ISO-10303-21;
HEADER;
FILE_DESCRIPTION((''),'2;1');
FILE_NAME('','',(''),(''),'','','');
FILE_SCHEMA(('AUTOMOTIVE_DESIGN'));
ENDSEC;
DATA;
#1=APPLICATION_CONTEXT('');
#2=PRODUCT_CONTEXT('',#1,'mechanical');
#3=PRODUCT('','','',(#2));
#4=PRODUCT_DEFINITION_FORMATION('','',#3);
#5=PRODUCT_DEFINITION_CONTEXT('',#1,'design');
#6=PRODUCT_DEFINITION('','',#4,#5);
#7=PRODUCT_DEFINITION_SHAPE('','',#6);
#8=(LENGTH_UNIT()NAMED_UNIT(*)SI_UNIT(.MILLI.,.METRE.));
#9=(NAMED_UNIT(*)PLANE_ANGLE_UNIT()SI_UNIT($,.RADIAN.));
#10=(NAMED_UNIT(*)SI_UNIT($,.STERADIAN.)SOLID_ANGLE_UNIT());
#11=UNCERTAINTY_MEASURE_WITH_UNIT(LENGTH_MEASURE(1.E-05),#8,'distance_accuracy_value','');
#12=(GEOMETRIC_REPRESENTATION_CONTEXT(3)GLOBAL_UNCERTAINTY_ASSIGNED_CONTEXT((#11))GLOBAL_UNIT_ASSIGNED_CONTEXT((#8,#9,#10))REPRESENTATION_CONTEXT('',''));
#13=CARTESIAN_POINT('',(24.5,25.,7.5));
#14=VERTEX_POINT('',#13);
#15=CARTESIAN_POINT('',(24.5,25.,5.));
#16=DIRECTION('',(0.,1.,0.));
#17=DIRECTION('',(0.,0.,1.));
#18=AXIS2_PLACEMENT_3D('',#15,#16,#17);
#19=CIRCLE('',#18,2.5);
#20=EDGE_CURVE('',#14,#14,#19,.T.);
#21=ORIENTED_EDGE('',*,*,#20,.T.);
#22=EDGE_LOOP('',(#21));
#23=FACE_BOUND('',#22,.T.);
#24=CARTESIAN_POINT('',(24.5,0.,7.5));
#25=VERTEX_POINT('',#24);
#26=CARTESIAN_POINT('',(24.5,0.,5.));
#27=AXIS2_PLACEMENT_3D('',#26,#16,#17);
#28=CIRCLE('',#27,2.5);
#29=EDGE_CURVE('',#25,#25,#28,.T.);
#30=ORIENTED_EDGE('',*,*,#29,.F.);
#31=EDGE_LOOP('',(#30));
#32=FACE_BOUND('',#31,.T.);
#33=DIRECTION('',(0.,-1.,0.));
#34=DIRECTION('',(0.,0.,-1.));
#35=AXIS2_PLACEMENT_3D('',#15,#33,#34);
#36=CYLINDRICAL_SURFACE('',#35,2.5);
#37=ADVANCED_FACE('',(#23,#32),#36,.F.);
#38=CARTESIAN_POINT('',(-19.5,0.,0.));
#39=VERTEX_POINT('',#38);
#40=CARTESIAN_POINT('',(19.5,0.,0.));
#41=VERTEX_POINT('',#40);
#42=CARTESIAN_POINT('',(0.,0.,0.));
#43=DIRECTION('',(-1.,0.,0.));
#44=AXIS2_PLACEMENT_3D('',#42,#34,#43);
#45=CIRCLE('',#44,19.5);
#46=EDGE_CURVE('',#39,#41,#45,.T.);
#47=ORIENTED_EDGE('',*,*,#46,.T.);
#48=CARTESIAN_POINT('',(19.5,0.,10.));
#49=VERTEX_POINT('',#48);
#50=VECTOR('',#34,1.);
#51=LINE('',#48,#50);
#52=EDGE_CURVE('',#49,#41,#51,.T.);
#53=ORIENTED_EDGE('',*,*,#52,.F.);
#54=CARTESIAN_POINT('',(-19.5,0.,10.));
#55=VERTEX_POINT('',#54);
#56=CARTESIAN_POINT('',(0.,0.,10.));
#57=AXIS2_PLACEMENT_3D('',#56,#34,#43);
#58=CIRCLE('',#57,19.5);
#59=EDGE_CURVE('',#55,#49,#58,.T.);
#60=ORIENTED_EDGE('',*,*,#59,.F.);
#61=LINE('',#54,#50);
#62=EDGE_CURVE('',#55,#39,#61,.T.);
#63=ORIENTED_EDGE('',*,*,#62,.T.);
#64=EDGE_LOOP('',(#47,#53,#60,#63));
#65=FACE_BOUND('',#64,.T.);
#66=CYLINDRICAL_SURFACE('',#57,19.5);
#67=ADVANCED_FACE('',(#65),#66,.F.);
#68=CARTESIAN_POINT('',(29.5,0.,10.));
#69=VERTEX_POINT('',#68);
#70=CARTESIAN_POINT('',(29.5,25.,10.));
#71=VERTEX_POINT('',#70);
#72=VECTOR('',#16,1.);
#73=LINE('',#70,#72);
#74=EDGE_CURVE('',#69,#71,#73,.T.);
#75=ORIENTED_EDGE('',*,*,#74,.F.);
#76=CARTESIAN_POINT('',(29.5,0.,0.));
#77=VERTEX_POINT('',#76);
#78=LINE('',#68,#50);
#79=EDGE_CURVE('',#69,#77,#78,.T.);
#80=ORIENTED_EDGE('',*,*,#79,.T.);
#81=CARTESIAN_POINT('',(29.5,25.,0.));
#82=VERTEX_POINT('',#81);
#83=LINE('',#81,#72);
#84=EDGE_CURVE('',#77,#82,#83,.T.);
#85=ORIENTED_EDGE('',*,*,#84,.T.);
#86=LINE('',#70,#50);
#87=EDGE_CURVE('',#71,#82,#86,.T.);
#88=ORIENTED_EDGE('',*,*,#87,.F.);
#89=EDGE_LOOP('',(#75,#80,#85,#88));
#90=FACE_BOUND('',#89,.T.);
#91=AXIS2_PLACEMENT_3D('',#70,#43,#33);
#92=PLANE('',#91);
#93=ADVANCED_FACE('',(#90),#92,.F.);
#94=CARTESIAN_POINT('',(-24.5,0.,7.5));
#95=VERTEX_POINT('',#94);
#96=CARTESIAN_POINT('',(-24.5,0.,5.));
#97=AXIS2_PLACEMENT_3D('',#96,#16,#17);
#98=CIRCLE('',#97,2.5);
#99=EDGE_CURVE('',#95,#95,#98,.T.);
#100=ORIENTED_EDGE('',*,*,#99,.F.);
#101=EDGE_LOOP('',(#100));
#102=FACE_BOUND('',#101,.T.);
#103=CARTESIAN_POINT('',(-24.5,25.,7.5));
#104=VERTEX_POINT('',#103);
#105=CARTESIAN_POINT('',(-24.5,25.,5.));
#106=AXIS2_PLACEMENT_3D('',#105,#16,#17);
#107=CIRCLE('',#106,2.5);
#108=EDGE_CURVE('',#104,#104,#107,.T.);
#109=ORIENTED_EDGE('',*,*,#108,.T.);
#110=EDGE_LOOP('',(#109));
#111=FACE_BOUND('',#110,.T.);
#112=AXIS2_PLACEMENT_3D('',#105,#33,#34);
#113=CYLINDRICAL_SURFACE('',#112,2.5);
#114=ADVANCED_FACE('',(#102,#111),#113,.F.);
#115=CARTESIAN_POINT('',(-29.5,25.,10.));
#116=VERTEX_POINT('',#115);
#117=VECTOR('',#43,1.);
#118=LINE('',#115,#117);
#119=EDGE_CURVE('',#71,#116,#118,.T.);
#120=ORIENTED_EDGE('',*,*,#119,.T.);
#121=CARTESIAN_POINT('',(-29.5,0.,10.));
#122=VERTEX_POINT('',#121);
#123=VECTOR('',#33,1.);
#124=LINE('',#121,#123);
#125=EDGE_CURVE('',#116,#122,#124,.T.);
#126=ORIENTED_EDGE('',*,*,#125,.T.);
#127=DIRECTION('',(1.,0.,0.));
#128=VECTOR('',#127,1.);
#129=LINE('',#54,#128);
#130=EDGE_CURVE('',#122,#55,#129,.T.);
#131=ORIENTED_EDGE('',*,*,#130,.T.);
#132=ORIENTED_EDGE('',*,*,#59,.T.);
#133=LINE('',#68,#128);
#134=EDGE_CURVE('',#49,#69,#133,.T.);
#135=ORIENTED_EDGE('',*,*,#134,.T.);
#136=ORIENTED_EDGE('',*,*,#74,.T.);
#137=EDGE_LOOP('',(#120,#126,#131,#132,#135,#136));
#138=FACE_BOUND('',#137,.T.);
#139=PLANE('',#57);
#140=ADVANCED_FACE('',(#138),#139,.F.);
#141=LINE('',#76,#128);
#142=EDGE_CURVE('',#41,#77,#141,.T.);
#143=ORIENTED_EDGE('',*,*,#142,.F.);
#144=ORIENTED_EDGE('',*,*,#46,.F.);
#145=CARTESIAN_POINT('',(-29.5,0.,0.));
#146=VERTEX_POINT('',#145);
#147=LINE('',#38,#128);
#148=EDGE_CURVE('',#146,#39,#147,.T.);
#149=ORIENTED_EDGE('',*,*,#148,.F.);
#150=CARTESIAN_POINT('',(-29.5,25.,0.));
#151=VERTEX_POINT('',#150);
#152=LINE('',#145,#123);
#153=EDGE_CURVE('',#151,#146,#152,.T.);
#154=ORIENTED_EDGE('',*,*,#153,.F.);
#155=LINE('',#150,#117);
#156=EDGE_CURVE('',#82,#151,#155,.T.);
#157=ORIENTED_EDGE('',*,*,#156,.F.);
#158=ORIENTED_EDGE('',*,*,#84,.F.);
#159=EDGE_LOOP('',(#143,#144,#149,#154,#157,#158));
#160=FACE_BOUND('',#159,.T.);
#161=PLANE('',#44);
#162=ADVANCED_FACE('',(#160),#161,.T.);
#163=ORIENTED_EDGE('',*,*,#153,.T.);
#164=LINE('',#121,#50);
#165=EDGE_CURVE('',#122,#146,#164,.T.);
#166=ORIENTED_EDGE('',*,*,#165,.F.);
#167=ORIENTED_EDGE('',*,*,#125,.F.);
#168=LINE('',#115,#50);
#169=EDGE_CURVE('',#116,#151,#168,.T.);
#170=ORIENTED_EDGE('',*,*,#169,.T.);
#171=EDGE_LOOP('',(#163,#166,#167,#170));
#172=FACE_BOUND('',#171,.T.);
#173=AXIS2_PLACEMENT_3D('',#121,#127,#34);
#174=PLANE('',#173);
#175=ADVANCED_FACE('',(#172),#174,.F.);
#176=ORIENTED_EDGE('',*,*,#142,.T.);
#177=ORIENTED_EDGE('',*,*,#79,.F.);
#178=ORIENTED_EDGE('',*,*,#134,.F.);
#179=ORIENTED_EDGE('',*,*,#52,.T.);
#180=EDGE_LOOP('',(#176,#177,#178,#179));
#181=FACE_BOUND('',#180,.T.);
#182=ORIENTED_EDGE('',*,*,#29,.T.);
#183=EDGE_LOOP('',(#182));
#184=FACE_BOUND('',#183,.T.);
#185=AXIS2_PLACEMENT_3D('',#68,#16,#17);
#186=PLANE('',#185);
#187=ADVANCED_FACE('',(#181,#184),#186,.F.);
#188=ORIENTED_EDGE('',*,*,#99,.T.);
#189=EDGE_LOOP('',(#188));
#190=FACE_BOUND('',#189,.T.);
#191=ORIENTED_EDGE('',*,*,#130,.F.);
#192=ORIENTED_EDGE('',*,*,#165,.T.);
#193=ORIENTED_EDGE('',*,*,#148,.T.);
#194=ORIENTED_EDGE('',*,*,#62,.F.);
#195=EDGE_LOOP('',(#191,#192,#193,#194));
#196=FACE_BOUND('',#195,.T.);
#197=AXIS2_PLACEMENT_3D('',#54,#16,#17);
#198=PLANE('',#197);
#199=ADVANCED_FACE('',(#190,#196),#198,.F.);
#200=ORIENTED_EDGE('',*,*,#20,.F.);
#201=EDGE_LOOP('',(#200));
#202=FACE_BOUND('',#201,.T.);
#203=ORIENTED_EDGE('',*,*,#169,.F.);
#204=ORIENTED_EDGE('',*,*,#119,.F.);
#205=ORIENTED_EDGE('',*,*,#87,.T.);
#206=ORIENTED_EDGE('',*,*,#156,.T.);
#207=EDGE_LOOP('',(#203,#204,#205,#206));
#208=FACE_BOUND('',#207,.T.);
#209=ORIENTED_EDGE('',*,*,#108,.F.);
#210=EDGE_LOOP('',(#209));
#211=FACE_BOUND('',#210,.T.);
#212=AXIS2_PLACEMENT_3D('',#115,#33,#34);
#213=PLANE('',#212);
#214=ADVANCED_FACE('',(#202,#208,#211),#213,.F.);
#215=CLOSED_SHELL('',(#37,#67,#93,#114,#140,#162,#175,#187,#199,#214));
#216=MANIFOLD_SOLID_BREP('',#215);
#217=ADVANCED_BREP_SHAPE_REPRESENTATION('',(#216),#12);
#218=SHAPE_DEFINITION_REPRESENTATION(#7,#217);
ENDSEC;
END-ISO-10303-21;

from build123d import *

# Parameters (mm, degrees)
BOSS_EXTRUDE1_DEPTH = 10
SKETCH2_R           = 2.5
CUT_EXTRUDE2_DEPTH  = 40.940580867


with BuildPart() as part:
    # Sketch1 → Boss-Extrude1 (new body)
    with BuildSketch(Plane.XY):
        with BuildLine():
            Line((-19.5, 0), (-29.5, 0))
            Line((-29.5, 0), (-29.5, 25))
            Line((-29.5, 25), (29.5, 25))
            Line((29.5, 25), (29.5, 0))
            Line((29.5, 0), (19.5, 0))
            ThreePointArc((19.5, 0), (0, 19.5), (-19.5, 0))
        make_face()
    extrude(amount=BOSS_EXTRUDE1_DEPTH)

    # Sketch2 → Cut-Extrude2 (cut, through all)
    with BuildSketch(Plane(origin=(0, 0, 0), x_dir=(1, 0, 0), z_dir=(0, 1, 0))):
        with Locations(Location((-24.5, -5, 0), (0, 0, 270))):
            Circle(SKETCH2_R)
        with Locations(Location((24.5, -5, 0), (0, 0, 270))):
            Circle(SKETCH2_R)
    extrude(amount=CUT_EXTRUDE2_DEPTH, mode=Mode.SUBTRACT)


solid = part.part
